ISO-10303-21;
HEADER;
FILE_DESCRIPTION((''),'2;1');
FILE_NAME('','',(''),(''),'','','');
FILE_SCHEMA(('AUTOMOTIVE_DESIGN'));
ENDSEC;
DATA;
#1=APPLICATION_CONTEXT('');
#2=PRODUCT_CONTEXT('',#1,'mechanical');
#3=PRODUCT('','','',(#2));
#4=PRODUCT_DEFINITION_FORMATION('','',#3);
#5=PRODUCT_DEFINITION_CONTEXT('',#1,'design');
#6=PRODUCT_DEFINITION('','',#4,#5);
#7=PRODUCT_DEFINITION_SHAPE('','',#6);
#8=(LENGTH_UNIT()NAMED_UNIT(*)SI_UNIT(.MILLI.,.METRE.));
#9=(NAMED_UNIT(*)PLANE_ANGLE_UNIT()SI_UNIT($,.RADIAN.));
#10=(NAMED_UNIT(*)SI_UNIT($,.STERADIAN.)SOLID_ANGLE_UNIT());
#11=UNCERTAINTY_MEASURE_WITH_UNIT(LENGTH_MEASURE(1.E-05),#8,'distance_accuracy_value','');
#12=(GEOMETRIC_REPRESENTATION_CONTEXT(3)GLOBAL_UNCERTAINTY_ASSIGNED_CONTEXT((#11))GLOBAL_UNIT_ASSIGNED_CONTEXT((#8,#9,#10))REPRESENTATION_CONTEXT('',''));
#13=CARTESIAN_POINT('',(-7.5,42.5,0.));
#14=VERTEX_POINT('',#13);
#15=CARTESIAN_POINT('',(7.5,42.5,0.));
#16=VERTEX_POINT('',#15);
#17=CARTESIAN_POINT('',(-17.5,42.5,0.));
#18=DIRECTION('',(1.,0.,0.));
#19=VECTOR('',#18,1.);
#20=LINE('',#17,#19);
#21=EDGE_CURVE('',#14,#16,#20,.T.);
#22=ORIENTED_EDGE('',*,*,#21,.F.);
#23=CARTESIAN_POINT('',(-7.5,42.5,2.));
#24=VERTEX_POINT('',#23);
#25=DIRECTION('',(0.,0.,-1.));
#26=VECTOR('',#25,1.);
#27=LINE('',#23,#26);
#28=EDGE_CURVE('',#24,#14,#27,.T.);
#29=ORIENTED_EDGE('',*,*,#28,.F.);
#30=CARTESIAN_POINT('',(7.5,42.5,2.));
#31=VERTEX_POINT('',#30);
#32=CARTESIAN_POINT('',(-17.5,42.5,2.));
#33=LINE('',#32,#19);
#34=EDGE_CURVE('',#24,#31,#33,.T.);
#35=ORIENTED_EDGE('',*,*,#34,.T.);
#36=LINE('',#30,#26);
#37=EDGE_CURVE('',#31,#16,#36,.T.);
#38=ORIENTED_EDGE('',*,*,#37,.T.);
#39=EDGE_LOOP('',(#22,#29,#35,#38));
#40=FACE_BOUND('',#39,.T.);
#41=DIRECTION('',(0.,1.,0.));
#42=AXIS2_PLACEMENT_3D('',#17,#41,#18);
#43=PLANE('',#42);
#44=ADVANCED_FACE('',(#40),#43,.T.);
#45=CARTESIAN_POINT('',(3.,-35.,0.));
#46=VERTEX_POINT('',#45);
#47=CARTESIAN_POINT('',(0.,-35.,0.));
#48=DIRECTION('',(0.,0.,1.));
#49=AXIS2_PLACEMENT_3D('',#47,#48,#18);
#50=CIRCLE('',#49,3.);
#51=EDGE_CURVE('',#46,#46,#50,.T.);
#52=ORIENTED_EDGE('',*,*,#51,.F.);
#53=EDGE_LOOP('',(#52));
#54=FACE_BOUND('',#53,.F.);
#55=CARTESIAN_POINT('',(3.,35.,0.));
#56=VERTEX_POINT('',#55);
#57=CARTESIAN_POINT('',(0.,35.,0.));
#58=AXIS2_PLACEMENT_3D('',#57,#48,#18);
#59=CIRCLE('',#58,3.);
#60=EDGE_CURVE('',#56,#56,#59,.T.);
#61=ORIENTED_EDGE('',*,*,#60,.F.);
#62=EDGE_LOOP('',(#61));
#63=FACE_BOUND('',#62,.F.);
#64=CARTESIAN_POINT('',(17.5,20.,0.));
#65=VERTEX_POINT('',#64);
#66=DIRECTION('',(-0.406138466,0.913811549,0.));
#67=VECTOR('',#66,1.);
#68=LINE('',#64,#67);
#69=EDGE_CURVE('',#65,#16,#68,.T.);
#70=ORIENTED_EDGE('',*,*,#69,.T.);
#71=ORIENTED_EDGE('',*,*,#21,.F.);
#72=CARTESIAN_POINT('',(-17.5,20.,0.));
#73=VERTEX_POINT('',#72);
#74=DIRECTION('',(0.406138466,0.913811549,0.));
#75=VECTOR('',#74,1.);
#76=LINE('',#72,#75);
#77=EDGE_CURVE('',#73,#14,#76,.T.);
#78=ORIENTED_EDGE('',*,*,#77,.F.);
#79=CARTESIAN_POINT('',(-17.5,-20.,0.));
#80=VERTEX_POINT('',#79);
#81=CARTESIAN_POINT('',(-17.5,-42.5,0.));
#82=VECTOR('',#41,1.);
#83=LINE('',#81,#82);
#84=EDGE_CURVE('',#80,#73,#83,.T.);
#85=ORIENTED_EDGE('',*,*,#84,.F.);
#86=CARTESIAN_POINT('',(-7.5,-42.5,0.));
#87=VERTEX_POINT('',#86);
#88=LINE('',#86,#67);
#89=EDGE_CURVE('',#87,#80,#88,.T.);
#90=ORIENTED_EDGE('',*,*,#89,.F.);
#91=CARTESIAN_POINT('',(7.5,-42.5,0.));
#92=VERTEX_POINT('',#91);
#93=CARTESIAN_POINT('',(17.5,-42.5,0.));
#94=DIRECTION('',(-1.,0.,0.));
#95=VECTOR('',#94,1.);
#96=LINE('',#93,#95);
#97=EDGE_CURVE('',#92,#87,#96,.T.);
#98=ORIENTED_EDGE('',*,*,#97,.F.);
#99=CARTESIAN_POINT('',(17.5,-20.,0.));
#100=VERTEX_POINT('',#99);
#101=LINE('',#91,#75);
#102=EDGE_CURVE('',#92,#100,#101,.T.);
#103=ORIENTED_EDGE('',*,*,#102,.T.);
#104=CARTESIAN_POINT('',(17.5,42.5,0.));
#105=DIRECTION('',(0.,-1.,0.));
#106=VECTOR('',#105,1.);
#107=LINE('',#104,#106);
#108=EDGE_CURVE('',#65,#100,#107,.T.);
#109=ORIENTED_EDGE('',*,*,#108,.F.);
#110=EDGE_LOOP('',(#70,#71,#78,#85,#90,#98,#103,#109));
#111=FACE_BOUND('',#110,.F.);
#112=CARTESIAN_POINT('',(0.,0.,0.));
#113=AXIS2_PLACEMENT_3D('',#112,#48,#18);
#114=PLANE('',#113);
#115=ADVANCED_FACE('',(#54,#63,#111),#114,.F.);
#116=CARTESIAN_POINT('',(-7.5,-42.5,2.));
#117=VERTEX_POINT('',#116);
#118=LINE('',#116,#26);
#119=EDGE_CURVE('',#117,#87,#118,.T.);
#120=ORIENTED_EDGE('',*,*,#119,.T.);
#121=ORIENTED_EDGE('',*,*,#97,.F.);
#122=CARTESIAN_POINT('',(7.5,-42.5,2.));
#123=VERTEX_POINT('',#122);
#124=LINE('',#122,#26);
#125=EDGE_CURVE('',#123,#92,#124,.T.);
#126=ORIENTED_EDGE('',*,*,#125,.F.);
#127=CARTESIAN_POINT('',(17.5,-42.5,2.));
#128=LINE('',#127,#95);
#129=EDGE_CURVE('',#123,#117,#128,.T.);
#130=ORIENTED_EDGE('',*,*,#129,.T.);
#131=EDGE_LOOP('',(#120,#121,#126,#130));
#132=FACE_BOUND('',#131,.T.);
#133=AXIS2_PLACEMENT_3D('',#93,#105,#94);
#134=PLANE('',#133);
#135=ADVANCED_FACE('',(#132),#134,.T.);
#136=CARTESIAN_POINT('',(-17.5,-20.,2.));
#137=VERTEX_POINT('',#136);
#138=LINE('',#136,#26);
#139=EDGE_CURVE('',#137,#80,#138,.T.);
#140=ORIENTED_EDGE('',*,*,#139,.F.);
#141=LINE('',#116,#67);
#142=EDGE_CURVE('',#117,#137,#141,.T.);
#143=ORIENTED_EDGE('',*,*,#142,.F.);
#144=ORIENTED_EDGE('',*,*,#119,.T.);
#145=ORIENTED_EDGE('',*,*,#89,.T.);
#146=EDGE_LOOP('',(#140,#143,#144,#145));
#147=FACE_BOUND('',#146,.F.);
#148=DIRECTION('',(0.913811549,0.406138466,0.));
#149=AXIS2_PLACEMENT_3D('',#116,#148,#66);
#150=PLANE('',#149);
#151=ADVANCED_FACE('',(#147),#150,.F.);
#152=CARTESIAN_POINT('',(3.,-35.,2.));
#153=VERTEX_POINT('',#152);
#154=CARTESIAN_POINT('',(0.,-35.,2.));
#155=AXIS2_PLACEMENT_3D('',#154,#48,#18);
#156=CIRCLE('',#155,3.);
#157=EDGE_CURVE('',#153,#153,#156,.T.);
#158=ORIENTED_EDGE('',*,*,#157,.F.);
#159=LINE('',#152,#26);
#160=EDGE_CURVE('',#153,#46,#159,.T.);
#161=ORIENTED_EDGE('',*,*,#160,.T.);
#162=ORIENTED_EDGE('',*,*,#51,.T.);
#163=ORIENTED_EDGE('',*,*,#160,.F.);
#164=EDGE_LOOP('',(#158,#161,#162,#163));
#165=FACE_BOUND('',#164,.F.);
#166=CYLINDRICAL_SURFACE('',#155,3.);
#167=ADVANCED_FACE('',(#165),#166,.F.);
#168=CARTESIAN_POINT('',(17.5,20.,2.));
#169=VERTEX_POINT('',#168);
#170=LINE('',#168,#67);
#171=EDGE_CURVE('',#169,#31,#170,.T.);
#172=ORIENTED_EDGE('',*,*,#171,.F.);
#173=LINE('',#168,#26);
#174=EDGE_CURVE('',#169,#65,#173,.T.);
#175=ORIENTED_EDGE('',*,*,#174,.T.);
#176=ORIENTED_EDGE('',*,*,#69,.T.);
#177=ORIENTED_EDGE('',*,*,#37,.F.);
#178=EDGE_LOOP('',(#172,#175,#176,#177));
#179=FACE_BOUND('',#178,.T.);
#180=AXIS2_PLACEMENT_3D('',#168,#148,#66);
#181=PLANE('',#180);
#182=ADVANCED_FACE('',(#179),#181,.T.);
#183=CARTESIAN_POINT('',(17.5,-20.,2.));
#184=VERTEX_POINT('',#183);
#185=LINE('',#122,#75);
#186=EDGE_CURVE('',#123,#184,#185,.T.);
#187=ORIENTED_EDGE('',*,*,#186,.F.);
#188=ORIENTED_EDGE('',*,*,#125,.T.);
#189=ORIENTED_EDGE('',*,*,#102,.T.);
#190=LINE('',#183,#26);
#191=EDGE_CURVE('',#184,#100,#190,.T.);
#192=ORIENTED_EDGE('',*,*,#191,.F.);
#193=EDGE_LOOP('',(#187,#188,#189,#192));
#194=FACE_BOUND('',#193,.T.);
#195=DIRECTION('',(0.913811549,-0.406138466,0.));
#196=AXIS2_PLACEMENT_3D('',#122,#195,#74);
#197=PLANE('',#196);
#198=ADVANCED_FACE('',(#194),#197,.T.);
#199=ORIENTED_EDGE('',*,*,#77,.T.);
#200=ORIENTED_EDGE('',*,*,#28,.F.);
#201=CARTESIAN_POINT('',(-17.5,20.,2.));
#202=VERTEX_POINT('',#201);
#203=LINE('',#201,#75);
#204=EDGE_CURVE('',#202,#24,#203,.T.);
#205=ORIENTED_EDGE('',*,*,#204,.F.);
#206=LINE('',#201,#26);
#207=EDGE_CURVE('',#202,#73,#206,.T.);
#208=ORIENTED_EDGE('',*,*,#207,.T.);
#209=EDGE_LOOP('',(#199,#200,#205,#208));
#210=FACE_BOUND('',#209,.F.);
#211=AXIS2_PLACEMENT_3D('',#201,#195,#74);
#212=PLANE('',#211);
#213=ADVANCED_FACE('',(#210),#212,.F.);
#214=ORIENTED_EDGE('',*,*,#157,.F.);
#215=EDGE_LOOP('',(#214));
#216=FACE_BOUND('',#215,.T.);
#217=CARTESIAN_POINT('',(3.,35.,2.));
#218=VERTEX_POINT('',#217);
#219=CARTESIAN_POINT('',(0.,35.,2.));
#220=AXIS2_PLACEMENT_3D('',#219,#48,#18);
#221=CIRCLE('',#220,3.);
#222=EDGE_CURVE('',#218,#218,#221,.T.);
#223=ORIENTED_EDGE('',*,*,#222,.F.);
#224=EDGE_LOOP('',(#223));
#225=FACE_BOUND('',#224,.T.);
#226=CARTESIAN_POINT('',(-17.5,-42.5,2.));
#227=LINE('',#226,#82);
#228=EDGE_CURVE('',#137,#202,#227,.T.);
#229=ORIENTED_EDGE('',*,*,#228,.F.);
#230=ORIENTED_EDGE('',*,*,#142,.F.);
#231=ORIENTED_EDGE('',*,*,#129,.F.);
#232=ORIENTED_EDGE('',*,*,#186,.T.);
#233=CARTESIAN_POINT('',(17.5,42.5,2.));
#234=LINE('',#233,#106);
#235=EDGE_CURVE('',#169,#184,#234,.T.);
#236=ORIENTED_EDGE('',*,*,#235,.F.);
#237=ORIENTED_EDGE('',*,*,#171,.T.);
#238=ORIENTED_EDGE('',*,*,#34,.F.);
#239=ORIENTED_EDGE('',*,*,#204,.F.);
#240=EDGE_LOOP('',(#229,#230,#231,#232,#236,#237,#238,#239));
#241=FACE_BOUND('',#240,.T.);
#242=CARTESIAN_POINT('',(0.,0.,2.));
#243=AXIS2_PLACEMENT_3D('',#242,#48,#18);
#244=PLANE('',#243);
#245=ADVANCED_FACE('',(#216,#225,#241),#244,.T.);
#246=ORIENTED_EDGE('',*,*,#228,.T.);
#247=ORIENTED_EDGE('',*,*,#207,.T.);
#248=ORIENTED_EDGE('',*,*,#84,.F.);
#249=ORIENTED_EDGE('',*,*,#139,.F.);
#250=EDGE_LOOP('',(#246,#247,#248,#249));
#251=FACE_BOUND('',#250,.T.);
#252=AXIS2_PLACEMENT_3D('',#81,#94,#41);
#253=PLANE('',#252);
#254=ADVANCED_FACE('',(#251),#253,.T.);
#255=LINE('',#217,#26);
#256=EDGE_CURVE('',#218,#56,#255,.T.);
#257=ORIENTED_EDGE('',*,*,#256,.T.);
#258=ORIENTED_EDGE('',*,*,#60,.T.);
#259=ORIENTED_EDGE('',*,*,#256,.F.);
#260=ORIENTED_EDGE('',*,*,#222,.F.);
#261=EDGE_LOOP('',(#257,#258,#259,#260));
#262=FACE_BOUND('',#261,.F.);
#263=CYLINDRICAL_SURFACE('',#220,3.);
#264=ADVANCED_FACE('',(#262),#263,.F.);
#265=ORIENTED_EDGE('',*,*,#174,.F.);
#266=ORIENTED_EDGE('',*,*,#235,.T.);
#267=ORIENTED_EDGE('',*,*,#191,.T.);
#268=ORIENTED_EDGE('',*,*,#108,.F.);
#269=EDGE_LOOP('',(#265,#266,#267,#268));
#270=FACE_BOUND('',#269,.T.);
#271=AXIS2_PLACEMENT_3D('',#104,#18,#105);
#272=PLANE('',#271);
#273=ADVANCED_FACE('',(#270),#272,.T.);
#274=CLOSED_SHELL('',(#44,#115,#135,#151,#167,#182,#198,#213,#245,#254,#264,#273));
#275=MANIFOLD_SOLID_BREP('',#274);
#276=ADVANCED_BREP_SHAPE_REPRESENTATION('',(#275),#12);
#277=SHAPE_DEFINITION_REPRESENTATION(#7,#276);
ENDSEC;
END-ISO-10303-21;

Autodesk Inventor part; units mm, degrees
ref_plane "YZ Plane" through (0, 0, 0) normal (1, 0, 0) x (0, 1, 0)
ref_plane "XZ Plane" through (0, 0, 0) normal (0, 1, 0) x (-1, 0, 0)
ref_plane "XY Plane" through (0, 0, 0) normal (0, 0, 1) x (1, 0, 0)
sketch "Sketch1" plane through (0, 0, 0) normal (0, 0, 1) x (1, 0, 0)
  line L0 (-17.5, 42.5) -> (17.5, 42.5)
  line L1 (17.5, 42.5) -> (17.5, -42.5)
  line L2 (17.5, -42.5) -> (-17.5, -42.5)
  line L3 (-17.5, -42.5) -> (-17.5, 42.5)
  line L4 (-17.5, 42.5) -> (17.5, -42.5) construction
  line L5 (17.5, 42.5) -> (-17.5, -42.5) construction
  point P0 (0, 0)
  point P1 (0, 0)
  dimension "d0" = 35
  dimension "d1" = 85
extrude "Plate1" add sketch "Sketch1" along normal blind 2
sketch "Sketch6" plane through (0, 0, 2) normal (0, 0, 1) x (1, 0, 0)
  line L0 (17.5, 42.5) -> (17.5, -42.5) projected
  line L1 (-17.5, 42.5) -> (17.5, 42.5) projected
  line L2 (-17.5, -42.5) -> (-17.5, 42.5) projected
  line L3 (17.5, -42.5) -> (-17.5, -42.5) projected
  circle A0 centre (0, -35) radius 3
  line L4 (-17.5, 0) -> (17.5, 0) construction
  line L5 (17.5, 42.5) -> (17.5, -42.5) projected
  circle A1 centre (0, 35) radius 3
  line L6 (7.5, -42.5) -> (17.5, -20)
  line L7 (-7.5, -42.5) -> (-17.5, -20)
  line L8 (-17.5, 20) -> (-7.5, 42.5)
  line L9 (17.5, 20) -> (7.5, 42.5)
  point P0 (0, 0)
  point P1 (0, 0)
  dimension "d36" = 70
  dimension "d37" = 6
  dimension "d43" = 40
  dimension "d44" = 15
extrude "Cut1" cut sketch "Sketch6" against normal blind 2 contours L0 L9 L1 | L0 L3 L6 | L8 L2 L1 | L3 L2 L7 | A0 | A1
equation "\"d38\" = Thickness"
equation "\"d2\" = Thickness"
equation "\"BendRadius\" = Thickness"
equation "\"BendReliefWidth\" = Thickness"
equation "\"BendReliefDepth\" = 0.5 * Thickness"
equation "\"CornerReliefSize\" = 4 * Thickness"
equation "\"MinimumRemnant\" = 2 * Thickness"
equation "\"TransitionRadius\" = BendRadius"
equation "\"JacobiRadiusSize\" = BendRadius"
equation "\"GapSize\" = Thickness"
equation "\"Thickness\" = 2"
properties part number "NDM 7.45 bracket middle plate 1" material "Stainless Steel"
